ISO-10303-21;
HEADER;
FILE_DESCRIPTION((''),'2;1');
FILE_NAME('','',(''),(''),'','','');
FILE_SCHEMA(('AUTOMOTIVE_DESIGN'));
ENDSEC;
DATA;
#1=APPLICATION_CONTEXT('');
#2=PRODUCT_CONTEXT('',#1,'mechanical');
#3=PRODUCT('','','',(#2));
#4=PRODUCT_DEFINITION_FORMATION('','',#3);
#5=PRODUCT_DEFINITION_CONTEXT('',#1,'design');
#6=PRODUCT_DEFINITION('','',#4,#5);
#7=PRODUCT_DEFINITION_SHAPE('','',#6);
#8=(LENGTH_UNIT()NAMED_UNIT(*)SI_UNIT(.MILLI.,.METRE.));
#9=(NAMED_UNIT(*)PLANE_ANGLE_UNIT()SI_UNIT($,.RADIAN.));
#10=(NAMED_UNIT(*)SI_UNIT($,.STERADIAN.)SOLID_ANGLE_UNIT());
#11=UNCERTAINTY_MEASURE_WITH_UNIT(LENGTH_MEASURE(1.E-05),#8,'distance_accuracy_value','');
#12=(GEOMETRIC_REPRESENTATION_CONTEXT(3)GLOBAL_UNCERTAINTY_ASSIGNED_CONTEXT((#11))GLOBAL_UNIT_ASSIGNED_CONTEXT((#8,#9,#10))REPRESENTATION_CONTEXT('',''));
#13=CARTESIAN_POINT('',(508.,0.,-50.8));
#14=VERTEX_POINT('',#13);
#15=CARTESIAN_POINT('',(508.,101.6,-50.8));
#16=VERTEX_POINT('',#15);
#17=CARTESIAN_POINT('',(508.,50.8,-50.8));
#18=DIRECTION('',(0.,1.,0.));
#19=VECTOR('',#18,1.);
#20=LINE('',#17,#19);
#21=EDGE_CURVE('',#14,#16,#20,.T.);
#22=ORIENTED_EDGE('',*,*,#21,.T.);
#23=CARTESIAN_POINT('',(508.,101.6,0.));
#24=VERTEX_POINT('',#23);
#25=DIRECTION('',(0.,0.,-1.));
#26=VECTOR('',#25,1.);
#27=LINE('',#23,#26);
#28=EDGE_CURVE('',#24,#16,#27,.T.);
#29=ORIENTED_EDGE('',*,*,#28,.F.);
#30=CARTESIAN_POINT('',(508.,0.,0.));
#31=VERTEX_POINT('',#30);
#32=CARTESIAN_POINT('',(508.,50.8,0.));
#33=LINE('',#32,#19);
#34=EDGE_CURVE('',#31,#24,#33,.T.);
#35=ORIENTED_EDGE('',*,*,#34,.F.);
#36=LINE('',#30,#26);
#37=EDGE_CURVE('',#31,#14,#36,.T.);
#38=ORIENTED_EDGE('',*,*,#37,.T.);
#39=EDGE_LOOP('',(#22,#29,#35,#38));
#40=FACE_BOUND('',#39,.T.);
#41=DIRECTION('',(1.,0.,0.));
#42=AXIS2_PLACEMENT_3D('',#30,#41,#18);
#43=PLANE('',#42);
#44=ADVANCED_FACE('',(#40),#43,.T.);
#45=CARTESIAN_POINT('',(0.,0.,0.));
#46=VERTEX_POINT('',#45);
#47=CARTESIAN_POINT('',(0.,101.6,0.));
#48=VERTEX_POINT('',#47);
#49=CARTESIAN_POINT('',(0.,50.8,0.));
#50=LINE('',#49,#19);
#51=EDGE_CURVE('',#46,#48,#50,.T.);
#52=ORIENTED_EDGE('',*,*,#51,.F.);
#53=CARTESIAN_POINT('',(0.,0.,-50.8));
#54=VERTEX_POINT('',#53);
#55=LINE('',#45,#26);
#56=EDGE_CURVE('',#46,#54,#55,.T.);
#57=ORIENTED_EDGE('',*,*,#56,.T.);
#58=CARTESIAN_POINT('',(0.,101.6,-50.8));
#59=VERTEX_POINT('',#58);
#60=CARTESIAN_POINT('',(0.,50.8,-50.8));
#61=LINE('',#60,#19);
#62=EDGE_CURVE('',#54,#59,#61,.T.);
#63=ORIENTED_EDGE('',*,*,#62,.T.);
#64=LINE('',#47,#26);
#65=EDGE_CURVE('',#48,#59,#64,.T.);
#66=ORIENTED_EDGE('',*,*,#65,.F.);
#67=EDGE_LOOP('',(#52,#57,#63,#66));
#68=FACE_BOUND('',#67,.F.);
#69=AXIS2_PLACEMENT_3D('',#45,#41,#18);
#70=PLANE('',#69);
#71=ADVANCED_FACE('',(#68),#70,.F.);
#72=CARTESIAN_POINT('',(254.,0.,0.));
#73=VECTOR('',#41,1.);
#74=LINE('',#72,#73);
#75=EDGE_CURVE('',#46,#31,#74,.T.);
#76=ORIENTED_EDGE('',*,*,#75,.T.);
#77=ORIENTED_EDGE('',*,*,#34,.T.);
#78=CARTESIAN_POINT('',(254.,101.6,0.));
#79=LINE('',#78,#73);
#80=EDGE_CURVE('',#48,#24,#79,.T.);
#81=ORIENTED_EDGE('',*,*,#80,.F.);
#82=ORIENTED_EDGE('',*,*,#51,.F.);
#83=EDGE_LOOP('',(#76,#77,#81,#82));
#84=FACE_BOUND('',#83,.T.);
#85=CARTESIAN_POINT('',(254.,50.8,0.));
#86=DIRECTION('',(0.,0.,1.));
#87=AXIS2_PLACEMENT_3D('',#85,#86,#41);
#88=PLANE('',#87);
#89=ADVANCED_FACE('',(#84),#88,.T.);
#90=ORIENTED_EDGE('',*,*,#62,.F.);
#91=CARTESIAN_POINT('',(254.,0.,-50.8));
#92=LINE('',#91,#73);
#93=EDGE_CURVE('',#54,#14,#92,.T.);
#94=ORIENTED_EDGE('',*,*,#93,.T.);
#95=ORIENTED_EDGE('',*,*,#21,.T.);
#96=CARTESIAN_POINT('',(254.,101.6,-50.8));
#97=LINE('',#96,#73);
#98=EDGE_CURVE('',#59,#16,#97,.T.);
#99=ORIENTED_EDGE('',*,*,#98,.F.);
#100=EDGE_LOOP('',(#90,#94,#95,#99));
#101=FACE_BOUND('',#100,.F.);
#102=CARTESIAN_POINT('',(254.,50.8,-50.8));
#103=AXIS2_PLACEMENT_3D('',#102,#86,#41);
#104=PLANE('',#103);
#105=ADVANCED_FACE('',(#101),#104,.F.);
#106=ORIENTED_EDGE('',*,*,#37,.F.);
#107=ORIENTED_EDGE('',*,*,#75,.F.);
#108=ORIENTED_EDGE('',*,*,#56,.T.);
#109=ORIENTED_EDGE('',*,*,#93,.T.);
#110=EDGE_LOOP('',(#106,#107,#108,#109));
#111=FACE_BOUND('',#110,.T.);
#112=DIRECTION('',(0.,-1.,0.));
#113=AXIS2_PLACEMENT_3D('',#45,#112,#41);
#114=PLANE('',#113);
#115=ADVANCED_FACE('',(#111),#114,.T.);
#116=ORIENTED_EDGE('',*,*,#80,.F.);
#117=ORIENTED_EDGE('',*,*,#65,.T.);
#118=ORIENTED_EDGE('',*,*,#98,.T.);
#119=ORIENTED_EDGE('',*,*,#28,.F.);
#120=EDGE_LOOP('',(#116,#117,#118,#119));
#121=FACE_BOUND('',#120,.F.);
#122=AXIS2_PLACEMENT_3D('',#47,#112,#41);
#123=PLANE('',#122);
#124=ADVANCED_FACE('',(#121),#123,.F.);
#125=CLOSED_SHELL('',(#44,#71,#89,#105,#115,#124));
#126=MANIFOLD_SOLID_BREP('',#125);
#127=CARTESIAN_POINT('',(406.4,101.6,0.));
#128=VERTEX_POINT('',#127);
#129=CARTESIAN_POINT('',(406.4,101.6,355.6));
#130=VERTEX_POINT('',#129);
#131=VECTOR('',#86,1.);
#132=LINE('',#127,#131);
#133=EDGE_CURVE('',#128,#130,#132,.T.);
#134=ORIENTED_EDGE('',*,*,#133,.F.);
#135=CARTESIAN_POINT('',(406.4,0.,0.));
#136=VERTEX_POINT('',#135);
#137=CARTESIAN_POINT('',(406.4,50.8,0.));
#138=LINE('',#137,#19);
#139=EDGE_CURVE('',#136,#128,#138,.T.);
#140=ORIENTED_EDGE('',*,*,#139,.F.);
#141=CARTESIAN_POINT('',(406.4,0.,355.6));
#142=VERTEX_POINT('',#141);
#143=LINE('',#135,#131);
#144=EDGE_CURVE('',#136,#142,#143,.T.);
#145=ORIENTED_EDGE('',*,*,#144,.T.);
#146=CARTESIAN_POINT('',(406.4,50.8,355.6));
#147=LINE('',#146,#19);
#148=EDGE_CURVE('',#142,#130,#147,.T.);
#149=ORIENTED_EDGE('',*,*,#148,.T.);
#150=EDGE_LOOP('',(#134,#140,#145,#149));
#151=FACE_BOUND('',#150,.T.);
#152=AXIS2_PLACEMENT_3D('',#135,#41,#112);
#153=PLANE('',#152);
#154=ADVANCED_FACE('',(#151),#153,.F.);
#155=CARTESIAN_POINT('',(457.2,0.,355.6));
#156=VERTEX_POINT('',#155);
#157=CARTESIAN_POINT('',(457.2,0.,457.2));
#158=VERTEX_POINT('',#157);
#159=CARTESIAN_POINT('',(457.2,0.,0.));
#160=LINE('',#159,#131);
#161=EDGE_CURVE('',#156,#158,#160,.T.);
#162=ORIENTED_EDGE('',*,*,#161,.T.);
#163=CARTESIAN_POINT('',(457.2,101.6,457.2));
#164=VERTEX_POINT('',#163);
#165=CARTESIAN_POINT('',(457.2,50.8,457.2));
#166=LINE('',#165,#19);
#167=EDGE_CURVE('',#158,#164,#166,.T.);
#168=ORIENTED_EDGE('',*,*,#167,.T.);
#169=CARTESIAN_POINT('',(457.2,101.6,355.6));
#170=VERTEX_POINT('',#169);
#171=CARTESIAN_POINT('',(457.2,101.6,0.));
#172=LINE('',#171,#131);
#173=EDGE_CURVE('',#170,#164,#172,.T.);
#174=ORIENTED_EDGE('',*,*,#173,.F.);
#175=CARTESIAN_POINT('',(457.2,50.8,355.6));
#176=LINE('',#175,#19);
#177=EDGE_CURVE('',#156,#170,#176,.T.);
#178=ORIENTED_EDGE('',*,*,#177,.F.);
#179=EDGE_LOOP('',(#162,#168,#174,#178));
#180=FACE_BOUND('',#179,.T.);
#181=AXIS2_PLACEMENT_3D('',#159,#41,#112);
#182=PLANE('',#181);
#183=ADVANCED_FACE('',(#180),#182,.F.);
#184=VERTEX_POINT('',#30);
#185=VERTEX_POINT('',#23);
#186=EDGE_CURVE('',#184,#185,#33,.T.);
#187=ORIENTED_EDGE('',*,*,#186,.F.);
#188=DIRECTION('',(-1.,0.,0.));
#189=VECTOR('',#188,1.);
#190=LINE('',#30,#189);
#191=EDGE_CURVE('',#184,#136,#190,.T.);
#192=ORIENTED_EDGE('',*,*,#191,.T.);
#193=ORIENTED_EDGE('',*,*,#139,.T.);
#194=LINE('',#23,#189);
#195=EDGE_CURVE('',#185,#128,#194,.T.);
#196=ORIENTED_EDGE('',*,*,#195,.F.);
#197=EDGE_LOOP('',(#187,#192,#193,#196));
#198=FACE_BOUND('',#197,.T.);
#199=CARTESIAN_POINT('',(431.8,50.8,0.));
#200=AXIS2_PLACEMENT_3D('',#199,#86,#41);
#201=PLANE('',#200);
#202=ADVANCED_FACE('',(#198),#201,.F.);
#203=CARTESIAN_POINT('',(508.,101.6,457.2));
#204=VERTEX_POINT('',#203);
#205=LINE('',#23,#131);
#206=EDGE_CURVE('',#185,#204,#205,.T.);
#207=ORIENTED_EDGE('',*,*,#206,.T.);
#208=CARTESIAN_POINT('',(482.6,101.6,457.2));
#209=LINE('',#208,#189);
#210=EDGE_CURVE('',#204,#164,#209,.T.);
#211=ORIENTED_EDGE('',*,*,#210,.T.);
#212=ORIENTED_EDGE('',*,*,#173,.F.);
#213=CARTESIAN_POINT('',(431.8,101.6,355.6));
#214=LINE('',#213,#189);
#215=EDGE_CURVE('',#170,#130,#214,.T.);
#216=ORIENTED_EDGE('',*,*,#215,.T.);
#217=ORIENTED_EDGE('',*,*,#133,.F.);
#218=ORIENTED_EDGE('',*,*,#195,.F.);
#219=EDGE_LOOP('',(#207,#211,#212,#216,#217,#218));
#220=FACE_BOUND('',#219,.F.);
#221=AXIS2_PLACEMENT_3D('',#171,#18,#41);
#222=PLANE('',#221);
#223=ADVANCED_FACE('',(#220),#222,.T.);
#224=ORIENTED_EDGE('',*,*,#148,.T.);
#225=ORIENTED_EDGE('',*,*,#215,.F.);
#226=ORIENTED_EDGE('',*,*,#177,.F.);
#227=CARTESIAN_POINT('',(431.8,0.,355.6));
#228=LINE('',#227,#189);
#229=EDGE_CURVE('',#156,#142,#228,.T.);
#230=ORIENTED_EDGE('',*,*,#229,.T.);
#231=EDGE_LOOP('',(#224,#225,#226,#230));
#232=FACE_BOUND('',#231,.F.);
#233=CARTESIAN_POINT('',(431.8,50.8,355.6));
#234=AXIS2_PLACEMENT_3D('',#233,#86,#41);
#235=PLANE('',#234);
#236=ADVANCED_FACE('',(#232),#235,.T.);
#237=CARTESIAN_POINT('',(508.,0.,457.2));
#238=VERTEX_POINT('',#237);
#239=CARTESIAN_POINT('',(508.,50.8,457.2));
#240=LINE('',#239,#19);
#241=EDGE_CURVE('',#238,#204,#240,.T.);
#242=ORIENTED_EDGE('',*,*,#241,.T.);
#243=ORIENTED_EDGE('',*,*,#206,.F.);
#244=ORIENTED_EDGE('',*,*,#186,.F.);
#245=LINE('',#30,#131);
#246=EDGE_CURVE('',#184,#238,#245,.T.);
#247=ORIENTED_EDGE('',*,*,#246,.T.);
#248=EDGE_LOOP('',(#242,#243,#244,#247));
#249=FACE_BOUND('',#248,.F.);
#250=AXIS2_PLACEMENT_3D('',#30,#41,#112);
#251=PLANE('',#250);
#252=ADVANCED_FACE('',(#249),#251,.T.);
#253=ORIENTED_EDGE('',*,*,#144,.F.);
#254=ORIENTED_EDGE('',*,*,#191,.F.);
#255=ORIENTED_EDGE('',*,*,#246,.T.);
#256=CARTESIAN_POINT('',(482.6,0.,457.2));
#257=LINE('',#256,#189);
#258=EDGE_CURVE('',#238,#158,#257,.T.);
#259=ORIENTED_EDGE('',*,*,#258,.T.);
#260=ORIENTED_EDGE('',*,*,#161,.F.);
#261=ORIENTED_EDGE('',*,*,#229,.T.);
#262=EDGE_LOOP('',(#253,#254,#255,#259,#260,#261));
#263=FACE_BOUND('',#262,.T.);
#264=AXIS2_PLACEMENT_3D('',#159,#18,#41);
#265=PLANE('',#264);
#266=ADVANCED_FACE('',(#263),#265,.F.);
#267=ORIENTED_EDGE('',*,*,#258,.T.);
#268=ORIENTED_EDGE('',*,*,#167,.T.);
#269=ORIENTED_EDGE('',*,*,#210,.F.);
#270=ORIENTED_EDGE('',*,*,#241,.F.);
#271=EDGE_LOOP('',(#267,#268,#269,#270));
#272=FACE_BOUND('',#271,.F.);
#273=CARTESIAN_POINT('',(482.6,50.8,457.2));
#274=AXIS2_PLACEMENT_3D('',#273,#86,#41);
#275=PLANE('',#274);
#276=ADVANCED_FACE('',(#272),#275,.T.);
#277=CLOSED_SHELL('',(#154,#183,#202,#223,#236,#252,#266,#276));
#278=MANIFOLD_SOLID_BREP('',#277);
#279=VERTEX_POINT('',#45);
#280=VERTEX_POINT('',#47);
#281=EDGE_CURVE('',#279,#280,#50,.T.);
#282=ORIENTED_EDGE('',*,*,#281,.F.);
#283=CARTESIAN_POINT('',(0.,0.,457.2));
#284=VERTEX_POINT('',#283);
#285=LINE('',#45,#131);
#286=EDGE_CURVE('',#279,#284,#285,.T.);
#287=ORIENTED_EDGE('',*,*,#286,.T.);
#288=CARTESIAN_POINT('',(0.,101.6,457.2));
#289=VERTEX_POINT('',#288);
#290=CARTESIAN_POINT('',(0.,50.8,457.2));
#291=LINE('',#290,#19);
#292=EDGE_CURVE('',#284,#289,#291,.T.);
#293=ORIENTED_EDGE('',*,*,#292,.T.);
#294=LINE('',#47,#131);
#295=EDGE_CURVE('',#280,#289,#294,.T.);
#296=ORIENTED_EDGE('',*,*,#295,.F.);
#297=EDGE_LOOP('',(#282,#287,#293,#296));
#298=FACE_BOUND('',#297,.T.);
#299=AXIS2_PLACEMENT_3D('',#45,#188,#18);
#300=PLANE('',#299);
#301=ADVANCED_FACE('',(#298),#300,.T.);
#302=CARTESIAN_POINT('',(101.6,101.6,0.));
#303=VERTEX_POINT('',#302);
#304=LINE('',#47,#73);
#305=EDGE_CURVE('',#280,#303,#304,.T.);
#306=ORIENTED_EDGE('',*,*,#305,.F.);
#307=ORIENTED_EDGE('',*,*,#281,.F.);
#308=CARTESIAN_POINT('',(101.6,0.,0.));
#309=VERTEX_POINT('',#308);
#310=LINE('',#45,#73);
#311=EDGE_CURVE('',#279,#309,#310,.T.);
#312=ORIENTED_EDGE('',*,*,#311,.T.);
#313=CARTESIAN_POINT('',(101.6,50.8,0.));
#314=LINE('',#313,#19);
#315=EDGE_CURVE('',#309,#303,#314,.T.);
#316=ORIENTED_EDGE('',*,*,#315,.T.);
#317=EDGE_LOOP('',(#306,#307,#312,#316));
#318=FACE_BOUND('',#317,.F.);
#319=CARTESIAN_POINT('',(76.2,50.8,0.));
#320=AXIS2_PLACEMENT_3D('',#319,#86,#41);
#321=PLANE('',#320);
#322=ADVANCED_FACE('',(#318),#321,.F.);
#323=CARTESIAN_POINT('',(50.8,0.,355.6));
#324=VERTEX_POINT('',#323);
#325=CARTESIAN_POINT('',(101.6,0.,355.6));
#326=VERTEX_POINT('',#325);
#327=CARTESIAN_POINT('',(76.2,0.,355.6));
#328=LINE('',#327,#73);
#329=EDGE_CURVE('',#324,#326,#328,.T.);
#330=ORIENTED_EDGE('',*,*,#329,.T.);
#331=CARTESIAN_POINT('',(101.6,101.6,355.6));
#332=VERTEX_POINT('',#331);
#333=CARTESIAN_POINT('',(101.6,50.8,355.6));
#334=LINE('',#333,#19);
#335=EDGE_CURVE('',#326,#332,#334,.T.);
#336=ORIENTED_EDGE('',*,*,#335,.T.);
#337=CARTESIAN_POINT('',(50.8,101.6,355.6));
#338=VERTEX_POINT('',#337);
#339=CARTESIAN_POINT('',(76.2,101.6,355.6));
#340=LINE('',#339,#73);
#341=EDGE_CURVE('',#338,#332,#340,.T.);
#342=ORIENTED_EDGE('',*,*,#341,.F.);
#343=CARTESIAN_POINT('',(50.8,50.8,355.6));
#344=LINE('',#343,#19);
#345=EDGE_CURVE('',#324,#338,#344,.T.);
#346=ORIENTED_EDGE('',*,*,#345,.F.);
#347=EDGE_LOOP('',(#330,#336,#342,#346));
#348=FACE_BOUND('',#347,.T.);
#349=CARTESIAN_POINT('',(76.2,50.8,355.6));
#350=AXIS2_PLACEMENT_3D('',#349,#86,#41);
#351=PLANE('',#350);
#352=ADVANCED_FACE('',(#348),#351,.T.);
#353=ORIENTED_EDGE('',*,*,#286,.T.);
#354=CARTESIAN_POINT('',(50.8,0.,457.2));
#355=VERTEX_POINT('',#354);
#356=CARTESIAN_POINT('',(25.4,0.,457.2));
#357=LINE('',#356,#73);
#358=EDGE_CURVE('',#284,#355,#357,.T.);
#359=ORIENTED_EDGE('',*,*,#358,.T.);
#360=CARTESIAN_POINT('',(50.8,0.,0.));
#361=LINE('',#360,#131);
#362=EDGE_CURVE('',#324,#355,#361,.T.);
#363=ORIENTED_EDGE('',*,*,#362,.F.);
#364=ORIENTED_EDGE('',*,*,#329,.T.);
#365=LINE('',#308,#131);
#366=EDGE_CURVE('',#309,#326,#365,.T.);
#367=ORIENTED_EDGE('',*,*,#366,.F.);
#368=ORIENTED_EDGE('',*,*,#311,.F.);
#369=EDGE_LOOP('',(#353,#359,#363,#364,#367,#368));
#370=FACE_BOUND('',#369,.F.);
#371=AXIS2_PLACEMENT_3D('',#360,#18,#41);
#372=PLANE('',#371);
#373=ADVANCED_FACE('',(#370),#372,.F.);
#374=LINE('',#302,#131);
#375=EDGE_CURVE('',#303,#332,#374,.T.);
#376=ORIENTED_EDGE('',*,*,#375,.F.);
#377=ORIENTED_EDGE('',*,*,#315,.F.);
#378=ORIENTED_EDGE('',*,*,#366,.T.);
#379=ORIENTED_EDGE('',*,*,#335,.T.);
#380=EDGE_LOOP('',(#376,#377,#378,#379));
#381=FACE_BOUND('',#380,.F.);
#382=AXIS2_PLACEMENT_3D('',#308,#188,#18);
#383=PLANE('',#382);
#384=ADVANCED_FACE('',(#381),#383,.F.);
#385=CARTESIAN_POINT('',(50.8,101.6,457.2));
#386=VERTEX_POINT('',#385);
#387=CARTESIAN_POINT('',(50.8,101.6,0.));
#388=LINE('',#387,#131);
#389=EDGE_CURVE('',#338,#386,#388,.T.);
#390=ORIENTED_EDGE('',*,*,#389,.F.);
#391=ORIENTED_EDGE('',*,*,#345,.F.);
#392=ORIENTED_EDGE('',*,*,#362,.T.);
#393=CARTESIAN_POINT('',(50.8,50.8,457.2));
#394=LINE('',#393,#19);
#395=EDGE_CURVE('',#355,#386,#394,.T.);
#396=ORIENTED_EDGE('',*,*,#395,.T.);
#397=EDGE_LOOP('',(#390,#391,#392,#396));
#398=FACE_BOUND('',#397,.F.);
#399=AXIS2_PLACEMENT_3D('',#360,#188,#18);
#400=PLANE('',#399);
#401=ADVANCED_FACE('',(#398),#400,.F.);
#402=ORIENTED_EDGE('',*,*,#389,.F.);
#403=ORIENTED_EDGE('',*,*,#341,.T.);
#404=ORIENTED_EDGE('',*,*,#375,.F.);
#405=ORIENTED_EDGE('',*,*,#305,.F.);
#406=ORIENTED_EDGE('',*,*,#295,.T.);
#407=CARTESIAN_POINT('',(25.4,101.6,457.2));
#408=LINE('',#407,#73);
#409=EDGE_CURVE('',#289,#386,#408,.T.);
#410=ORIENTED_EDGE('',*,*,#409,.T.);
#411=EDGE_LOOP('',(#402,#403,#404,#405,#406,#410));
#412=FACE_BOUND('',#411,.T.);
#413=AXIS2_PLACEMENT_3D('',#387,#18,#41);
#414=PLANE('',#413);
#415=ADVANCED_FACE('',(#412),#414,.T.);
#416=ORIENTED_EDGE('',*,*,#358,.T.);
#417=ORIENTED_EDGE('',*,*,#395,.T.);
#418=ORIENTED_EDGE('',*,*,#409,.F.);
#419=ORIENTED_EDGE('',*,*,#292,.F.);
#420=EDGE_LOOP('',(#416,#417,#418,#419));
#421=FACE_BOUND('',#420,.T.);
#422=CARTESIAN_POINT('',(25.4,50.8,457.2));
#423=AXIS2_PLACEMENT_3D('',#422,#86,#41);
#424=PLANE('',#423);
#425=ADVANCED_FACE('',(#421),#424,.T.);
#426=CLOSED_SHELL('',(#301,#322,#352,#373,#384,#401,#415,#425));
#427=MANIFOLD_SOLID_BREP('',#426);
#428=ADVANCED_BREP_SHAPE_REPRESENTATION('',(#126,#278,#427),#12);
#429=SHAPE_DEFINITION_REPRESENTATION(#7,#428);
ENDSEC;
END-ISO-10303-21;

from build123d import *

# Parameters (mm, degrees)
F0_W     = 50.8
F0_H     = 101.6
F1_DEPTH = 457.2
F2_W     = 50.8
F2_H     = 101.6
F3_DEPTH = 355.6
F6_W     = 508
F6_H     = 101.6
F7_DEPTH = 50.8


with BuildPart() as f1:
    # F0 (on Top) → F1 (new body)
    with BuildSketch(Plane.XY):
        with Locations((25.4, 50.8)):
            Rectangle(F0_W, F0_H)
    extrude(amount=F1_DEPTH)

    # F2 (on Top) → F3 (join)
    with BuildSketch(Plane.XY):
        with Locations((76.2, 50.8)):
            Rectangle(F2_W, F2_H)
    extrude(amount=F3_DEPTH)


with BuildPart() as f5_1:
    # F5: instance of F1
    add(f1.part.mirror(Plane(origin=(254, 50.8, 177.8), x_dir=(0, 1, 0), z_dir=(1, 0, 0))))


with BuildPart() as f7:
    # F6 (on Top) → F7 (new body)
    with BuildSketch(Plane.XY):
        with Locations((254, 50.8)):
            Rectangle(F6_W, F6_H)
    extrude(amount=-F7_DEPTH)


solid = Compound([f1.part, f5_1.part, f7.part])
